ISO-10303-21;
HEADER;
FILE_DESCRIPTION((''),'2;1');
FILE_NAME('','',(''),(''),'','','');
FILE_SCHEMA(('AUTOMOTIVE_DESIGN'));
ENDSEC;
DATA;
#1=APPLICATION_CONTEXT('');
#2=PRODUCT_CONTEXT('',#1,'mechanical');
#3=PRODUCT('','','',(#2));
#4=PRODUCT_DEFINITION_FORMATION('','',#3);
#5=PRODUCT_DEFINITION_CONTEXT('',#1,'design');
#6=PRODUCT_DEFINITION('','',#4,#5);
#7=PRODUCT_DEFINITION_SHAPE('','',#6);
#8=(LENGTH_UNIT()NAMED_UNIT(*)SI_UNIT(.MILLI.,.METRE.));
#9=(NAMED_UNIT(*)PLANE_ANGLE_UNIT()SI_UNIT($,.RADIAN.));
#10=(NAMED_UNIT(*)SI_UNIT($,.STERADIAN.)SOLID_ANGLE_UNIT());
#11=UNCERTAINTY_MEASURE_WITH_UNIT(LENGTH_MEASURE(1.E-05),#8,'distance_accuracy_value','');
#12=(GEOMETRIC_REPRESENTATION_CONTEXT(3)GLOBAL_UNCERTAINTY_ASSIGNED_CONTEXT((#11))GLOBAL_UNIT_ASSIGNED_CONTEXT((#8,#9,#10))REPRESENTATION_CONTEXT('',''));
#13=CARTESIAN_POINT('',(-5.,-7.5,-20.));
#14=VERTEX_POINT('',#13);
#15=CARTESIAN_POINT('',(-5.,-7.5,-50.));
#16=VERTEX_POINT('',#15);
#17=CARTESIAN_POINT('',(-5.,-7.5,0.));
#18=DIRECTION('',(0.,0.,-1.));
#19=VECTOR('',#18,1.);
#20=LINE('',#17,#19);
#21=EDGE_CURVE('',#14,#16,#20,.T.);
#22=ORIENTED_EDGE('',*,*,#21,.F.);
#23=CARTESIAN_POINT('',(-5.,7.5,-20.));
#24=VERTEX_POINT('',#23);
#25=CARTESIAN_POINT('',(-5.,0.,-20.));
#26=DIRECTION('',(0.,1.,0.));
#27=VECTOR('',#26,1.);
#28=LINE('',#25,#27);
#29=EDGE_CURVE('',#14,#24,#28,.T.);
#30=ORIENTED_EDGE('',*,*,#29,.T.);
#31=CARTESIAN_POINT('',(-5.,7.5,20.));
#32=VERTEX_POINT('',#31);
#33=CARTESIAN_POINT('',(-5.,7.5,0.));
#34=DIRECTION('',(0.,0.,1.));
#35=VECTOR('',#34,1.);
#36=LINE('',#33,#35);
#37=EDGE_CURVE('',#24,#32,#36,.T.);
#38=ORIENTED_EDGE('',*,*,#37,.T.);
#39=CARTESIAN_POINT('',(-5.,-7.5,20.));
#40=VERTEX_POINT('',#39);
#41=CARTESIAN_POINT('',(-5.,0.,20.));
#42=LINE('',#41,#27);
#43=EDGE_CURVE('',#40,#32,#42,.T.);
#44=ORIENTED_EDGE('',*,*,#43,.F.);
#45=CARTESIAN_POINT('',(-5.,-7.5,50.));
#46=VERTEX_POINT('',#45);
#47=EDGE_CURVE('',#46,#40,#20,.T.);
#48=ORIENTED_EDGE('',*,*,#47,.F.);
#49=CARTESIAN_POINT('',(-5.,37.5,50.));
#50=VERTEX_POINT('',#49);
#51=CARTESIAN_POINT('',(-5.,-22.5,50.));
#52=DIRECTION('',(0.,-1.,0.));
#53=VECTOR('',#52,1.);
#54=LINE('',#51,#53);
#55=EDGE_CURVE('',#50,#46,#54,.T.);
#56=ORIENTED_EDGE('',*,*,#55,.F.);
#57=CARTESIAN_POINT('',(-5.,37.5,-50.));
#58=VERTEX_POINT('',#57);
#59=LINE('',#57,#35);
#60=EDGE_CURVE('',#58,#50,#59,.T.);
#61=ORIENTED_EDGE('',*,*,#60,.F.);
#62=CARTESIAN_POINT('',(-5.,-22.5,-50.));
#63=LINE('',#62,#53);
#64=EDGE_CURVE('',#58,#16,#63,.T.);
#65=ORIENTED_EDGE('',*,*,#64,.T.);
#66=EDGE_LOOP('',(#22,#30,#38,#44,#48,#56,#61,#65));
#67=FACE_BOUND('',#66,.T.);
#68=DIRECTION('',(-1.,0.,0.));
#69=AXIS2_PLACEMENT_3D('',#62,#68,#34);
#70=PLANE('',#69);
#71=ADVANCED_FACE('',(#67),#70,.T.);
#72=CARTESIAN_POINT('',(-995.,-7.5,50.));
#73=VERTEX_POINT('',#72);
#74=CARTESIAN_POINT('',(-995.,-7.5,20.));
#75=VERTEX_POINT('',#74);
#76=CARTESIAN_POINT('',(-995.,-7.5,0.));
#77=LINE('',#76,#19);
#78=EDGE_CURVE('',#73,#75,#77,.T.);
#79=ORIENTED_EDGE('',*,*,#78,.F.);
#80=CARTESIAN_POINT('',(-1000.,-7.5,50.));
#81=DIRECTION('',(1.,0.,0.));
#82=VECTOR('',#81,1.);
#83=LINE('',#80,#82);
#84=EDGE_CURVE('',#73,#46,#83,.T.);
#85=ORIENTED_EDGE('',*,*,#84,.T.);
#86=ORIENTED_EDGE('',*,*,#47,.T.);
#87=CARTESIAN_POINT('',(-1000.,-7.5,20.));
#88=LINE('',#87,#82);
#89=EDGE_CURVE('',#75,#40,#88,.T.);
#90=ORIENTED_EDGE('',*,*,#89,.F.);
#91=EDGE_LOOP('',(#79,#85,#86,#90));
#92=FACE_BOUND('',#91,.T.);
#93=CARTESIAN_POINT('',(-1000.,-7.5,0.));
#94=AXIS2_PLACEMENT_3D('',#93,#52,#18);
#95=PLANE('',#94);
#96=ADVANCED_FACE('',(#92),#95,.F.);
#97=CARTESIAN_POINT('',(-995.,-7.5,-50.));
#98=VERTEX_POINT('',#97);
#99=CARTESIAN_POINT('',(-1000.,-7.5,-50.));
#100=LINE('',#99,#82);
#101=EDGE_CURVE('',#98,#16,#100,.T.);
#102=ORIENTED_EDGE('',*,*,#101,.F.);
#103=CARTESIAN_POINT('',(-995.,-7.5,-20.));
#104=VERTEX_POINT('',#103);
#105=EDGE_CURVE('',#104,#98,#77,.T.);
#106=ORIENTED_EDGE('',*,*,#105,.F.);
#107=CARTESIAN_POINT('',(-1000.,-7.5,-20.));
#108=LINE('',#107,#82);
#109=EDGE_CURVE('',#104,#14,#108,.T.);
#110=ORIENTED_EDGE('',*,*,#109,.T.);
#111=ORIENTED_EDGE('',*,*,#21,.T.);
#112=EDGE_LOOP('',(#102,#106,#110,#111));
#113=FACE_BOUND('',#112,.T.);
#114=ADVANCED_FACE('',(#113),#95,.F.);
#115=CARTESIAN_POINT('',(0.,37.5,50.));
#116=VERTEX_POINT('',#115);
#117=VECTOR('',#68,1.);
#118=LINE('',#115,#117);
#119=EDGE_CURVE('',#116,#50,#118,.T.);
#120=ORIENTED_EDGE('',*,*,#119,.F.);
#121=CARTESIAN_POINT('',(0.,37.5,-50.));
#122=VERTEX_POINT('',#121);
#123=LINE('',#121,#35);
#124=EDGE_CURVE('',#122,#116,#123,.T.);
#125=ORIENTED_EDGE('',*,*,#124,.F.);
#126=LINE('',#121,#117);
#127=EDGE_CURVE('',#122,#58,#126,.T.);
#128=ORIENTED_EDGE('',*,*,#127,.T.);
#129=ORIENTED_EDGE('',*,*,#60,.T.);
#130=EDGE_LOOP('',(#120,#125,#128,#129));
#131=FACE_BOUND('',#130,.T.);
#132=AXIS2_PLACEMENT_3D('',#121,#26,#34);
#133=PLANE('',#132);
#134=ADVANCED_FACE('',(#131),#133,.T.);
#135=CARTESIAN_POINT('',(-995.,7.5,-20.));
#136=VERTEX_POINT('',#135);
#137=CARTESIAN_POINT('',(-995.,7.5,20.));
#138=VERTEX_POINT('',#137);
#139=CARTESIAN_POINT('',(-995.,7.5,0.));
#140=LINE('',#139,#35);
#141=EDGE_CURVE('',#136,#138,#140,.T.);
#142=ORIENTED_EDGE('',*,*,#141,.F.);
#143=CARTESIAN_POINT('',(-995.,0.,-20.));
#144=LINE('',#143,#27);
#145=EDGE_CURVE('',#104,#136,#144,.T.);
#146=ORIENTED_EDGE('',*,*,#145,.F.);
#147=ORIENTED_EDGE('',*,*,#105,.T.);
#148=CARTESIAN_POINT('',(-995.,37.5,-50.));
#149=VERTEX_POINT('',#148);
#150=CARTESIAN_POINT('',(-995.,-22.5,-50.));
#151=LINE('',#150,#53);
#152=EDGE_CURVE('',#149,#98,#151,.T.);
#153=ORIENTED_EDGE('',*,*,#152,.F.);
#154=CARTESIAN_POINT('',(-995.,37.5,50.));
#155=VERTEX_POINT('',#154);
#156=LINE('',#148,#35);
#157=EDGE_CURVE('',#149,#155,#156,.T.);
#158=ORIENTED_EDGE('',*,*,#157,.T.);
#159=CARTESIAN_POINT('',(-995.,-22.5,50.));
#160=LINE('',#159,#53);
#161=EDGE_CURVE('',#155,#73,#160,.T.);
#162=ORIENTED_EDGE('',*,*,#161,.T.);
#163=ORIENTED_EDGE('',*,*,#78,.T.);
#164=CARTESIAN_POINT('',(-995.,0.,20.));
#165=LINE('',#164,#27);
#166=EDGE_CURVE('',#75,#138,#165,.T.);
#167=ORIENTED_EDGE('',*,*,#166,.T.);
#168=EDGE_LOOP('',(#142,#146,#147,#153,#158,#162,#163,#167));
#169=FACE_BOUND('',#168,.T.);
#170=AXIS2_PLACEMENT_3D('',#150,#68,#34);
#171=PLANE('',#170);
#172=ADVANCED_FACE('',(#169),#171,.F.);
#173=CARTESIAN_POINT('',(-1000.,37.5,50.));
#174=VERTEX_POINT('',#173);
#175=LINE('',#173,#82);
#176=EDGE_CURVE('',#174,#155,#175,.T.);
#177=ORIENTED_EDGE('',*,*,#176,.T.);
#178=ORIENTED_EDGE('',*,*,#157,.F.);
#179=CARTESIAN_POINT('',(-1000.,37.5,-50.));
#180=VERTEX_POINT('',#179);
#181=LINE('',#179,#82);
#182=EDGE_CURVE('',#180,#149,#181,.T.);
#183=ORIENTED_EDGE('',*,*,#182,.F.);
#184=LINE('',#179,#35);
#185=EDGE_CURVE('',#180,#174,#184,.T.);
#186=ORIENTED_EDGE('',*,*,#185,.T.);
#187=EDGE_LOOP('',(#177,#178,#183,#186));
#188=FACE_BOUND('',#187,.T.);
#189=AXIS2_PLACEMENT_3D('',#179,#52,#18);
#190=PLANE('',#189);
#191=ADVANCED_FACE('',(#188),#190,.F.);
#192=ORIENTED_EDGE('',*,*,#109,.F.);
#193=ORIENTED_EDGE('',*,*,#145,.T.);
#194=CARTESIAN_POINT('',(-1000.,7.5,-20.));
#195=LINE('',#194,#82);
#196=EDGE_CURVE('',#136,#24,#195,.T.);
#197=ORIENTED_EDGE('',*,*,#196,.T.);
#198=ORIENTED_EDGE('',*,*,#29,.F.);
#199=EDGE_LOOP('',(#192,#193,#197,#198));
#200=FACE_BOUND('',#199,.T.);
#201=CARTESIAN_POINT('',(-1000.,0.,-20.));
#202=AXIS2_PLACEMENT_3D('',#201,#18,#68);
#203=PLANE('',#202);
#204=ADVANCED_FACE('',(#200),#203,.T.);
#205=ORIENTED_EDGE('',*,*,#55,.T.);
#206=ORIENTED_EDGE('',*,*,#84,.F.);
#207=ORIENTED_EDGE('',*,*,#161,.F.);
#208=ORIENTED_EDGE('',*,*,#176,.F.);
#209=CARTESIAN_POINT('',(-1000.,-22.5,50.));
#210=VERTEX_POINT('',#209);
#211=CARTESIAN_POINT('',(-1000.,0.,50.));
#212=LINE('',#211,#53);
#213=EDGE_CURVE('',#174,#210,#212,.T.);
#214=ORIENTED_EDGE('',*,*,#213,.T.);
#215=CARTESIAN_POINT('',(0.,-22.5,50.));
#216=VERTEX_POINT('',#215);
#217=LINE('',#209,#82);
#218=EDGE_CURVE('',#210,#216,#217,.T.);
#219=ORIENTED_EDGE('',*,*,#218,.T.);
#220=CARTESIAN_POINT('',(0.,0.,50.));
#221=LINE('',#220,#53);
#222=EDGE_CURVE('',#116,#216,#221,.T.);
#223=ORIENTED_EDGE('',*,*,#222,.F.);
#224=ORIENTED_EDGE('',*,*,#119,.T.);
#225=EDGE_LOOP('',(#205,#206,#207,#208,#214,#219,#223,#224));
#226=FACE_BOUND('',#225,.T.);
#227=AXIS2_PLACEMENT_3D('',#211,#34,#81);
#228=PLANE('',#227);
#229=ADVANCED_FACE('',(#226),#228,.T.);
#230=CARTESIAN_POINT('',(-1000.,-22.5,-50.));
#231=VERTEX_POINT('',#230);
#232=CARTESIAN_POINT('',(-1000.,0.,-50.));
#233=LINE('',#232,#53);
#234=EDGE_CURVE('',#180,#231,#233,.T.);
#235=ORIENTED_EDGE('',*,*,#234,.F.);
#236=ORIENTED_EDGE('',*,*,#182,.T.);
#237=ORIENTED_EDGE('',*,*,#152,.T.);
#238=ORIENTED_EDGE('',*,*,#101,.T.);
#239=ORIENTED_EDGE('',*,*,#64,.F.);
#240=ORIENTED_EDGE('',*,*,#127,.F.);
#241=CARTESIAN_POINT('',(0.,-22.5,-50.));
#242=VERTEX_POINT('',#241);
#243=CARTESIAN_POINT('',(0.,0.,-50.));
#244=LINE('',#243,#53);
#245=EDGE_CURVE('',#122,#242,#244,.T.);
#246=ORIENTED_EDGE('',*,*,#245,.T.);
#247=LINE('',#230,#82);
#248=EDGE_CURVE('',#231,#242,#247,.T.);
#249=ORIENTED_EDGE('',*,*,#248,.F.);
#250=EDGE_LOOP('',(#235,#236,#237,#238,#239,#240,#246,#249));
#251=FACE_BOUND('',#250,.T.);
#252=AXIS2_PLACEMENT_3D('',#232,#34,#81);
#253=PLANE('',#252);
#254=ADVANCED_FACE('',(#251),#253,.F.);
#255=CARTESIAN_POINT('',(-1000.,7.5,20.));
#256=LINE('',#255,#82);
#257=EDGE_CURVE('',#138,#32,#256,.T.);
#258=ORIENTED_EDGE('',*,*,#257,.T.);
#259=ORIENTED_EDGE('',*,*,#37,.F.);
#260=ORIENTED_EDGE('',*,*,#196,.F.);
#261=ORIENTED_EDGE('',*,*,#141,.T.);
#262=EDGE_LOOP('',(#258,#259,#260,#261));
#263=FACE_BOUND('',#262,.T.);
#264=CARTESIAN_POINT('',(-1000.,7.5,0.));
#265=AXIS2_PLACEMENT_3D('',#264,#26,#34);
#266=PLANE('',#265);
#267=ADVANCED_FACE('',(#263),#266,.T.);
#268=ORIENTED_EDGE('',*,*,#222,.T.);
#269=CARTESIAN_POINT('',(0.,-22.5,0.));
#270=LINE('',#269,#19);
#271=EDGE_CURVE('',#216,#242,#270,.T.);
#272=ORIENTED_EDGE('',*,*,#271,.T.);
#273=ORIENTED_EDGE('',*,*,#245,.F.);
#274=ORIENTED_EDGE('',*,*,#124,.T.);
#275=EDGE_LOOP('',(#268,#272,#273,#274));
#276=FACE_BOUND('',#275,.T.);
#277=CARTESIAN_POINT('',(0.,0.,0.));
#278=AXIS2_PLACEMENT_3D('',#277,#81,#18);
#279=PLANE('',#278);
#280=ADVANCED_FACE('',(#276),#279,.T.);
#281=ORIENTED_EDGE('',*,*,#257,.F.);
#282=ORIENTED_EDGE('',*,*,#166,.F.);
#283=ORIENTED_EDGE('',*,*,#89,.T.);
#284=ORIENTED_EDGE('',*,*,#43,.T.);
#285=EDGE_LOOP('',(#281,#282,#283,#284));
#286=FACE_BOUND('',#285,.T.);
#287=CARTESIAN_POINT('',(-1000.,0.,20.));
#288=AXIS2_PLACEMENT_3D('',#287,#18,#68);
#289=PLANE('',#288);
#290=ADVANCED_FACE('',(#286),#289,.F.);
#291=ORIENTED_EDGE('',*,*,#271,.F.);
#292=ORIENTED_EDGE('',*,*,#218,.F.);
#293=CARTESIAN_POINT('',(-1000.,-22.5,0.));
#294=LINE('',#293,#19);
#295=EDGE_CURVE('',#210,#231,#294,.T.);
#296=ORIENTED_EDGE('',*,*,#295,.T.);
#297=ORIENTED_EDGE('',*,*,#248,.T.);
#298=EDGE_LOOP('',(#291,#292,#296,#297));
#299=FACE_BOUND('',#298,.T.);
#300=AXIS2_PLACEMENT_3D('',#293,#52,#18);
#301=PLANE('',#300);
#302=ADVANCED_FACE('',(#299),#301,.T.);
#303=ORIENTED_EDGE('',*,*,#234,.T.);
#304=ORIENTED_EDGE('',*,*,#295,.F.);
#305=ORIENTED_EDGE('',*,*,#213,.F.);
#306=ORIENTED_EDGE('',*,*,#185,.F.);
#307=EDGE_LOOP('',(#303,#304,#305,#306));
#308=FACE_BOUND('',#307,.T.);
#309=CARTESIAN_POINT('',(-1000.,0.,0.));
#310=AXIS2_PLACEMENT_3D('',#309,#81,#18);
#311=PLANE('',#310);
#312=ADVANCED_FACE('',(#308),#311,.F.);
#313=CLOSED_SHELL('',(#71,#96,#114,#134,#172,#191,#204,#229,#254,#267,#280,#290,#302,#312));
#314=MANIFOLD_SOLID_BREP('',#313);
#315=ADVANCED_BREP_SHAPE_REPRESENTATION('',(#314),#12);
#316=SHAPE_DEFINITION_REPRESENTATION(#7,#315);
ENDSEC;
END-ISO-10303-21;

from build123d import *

# Parameters (mm, degrees)
SKETCH1_W           = 40
SKETCH1_H           = 15
BOSS_EXTRUDE1_DEPTH = 1000
SKETCH2_W           = 5
SKETCH2_H           = 60
BOSS_EXTRUDE2_DEPTH = 100


with BuildPart() as part:
    # Sketch1 → Boss-Extrude1 (new body)
    with BuildSketch(Plane(origin=(0, 0, 0), x_dir=(0, 0, -1), z_dir=(1, 0, 0))):
        Polygon((50, -7.5), (20, -7.5), (-20, -7.5), (-50, -7.5), (-50, -22.5), (50, -22.5), align=None)
        Rectangle(SKETCH1_W, SKETCH1_H)
    extrude(amount=-BOSS_EXTRUDE1_DEPTH)

    # Sketch2 → Boss-Extrude2 (add)
    with BuildSketch(Plane.XY.offset(50)):
        with Locations((-2.5, 7.5)):
            Rectangle(SKETCH2_W, SKETCH2_H)
    boss_extrude2 = extrude(amount=-BOSS_EXTRUDE2_DEPTH)

    # Mirror1: Boss-Extrude2 across plane
    add(boss_extrude2.mirror(Plane.ZY.offset(500)))


solid = part.part
